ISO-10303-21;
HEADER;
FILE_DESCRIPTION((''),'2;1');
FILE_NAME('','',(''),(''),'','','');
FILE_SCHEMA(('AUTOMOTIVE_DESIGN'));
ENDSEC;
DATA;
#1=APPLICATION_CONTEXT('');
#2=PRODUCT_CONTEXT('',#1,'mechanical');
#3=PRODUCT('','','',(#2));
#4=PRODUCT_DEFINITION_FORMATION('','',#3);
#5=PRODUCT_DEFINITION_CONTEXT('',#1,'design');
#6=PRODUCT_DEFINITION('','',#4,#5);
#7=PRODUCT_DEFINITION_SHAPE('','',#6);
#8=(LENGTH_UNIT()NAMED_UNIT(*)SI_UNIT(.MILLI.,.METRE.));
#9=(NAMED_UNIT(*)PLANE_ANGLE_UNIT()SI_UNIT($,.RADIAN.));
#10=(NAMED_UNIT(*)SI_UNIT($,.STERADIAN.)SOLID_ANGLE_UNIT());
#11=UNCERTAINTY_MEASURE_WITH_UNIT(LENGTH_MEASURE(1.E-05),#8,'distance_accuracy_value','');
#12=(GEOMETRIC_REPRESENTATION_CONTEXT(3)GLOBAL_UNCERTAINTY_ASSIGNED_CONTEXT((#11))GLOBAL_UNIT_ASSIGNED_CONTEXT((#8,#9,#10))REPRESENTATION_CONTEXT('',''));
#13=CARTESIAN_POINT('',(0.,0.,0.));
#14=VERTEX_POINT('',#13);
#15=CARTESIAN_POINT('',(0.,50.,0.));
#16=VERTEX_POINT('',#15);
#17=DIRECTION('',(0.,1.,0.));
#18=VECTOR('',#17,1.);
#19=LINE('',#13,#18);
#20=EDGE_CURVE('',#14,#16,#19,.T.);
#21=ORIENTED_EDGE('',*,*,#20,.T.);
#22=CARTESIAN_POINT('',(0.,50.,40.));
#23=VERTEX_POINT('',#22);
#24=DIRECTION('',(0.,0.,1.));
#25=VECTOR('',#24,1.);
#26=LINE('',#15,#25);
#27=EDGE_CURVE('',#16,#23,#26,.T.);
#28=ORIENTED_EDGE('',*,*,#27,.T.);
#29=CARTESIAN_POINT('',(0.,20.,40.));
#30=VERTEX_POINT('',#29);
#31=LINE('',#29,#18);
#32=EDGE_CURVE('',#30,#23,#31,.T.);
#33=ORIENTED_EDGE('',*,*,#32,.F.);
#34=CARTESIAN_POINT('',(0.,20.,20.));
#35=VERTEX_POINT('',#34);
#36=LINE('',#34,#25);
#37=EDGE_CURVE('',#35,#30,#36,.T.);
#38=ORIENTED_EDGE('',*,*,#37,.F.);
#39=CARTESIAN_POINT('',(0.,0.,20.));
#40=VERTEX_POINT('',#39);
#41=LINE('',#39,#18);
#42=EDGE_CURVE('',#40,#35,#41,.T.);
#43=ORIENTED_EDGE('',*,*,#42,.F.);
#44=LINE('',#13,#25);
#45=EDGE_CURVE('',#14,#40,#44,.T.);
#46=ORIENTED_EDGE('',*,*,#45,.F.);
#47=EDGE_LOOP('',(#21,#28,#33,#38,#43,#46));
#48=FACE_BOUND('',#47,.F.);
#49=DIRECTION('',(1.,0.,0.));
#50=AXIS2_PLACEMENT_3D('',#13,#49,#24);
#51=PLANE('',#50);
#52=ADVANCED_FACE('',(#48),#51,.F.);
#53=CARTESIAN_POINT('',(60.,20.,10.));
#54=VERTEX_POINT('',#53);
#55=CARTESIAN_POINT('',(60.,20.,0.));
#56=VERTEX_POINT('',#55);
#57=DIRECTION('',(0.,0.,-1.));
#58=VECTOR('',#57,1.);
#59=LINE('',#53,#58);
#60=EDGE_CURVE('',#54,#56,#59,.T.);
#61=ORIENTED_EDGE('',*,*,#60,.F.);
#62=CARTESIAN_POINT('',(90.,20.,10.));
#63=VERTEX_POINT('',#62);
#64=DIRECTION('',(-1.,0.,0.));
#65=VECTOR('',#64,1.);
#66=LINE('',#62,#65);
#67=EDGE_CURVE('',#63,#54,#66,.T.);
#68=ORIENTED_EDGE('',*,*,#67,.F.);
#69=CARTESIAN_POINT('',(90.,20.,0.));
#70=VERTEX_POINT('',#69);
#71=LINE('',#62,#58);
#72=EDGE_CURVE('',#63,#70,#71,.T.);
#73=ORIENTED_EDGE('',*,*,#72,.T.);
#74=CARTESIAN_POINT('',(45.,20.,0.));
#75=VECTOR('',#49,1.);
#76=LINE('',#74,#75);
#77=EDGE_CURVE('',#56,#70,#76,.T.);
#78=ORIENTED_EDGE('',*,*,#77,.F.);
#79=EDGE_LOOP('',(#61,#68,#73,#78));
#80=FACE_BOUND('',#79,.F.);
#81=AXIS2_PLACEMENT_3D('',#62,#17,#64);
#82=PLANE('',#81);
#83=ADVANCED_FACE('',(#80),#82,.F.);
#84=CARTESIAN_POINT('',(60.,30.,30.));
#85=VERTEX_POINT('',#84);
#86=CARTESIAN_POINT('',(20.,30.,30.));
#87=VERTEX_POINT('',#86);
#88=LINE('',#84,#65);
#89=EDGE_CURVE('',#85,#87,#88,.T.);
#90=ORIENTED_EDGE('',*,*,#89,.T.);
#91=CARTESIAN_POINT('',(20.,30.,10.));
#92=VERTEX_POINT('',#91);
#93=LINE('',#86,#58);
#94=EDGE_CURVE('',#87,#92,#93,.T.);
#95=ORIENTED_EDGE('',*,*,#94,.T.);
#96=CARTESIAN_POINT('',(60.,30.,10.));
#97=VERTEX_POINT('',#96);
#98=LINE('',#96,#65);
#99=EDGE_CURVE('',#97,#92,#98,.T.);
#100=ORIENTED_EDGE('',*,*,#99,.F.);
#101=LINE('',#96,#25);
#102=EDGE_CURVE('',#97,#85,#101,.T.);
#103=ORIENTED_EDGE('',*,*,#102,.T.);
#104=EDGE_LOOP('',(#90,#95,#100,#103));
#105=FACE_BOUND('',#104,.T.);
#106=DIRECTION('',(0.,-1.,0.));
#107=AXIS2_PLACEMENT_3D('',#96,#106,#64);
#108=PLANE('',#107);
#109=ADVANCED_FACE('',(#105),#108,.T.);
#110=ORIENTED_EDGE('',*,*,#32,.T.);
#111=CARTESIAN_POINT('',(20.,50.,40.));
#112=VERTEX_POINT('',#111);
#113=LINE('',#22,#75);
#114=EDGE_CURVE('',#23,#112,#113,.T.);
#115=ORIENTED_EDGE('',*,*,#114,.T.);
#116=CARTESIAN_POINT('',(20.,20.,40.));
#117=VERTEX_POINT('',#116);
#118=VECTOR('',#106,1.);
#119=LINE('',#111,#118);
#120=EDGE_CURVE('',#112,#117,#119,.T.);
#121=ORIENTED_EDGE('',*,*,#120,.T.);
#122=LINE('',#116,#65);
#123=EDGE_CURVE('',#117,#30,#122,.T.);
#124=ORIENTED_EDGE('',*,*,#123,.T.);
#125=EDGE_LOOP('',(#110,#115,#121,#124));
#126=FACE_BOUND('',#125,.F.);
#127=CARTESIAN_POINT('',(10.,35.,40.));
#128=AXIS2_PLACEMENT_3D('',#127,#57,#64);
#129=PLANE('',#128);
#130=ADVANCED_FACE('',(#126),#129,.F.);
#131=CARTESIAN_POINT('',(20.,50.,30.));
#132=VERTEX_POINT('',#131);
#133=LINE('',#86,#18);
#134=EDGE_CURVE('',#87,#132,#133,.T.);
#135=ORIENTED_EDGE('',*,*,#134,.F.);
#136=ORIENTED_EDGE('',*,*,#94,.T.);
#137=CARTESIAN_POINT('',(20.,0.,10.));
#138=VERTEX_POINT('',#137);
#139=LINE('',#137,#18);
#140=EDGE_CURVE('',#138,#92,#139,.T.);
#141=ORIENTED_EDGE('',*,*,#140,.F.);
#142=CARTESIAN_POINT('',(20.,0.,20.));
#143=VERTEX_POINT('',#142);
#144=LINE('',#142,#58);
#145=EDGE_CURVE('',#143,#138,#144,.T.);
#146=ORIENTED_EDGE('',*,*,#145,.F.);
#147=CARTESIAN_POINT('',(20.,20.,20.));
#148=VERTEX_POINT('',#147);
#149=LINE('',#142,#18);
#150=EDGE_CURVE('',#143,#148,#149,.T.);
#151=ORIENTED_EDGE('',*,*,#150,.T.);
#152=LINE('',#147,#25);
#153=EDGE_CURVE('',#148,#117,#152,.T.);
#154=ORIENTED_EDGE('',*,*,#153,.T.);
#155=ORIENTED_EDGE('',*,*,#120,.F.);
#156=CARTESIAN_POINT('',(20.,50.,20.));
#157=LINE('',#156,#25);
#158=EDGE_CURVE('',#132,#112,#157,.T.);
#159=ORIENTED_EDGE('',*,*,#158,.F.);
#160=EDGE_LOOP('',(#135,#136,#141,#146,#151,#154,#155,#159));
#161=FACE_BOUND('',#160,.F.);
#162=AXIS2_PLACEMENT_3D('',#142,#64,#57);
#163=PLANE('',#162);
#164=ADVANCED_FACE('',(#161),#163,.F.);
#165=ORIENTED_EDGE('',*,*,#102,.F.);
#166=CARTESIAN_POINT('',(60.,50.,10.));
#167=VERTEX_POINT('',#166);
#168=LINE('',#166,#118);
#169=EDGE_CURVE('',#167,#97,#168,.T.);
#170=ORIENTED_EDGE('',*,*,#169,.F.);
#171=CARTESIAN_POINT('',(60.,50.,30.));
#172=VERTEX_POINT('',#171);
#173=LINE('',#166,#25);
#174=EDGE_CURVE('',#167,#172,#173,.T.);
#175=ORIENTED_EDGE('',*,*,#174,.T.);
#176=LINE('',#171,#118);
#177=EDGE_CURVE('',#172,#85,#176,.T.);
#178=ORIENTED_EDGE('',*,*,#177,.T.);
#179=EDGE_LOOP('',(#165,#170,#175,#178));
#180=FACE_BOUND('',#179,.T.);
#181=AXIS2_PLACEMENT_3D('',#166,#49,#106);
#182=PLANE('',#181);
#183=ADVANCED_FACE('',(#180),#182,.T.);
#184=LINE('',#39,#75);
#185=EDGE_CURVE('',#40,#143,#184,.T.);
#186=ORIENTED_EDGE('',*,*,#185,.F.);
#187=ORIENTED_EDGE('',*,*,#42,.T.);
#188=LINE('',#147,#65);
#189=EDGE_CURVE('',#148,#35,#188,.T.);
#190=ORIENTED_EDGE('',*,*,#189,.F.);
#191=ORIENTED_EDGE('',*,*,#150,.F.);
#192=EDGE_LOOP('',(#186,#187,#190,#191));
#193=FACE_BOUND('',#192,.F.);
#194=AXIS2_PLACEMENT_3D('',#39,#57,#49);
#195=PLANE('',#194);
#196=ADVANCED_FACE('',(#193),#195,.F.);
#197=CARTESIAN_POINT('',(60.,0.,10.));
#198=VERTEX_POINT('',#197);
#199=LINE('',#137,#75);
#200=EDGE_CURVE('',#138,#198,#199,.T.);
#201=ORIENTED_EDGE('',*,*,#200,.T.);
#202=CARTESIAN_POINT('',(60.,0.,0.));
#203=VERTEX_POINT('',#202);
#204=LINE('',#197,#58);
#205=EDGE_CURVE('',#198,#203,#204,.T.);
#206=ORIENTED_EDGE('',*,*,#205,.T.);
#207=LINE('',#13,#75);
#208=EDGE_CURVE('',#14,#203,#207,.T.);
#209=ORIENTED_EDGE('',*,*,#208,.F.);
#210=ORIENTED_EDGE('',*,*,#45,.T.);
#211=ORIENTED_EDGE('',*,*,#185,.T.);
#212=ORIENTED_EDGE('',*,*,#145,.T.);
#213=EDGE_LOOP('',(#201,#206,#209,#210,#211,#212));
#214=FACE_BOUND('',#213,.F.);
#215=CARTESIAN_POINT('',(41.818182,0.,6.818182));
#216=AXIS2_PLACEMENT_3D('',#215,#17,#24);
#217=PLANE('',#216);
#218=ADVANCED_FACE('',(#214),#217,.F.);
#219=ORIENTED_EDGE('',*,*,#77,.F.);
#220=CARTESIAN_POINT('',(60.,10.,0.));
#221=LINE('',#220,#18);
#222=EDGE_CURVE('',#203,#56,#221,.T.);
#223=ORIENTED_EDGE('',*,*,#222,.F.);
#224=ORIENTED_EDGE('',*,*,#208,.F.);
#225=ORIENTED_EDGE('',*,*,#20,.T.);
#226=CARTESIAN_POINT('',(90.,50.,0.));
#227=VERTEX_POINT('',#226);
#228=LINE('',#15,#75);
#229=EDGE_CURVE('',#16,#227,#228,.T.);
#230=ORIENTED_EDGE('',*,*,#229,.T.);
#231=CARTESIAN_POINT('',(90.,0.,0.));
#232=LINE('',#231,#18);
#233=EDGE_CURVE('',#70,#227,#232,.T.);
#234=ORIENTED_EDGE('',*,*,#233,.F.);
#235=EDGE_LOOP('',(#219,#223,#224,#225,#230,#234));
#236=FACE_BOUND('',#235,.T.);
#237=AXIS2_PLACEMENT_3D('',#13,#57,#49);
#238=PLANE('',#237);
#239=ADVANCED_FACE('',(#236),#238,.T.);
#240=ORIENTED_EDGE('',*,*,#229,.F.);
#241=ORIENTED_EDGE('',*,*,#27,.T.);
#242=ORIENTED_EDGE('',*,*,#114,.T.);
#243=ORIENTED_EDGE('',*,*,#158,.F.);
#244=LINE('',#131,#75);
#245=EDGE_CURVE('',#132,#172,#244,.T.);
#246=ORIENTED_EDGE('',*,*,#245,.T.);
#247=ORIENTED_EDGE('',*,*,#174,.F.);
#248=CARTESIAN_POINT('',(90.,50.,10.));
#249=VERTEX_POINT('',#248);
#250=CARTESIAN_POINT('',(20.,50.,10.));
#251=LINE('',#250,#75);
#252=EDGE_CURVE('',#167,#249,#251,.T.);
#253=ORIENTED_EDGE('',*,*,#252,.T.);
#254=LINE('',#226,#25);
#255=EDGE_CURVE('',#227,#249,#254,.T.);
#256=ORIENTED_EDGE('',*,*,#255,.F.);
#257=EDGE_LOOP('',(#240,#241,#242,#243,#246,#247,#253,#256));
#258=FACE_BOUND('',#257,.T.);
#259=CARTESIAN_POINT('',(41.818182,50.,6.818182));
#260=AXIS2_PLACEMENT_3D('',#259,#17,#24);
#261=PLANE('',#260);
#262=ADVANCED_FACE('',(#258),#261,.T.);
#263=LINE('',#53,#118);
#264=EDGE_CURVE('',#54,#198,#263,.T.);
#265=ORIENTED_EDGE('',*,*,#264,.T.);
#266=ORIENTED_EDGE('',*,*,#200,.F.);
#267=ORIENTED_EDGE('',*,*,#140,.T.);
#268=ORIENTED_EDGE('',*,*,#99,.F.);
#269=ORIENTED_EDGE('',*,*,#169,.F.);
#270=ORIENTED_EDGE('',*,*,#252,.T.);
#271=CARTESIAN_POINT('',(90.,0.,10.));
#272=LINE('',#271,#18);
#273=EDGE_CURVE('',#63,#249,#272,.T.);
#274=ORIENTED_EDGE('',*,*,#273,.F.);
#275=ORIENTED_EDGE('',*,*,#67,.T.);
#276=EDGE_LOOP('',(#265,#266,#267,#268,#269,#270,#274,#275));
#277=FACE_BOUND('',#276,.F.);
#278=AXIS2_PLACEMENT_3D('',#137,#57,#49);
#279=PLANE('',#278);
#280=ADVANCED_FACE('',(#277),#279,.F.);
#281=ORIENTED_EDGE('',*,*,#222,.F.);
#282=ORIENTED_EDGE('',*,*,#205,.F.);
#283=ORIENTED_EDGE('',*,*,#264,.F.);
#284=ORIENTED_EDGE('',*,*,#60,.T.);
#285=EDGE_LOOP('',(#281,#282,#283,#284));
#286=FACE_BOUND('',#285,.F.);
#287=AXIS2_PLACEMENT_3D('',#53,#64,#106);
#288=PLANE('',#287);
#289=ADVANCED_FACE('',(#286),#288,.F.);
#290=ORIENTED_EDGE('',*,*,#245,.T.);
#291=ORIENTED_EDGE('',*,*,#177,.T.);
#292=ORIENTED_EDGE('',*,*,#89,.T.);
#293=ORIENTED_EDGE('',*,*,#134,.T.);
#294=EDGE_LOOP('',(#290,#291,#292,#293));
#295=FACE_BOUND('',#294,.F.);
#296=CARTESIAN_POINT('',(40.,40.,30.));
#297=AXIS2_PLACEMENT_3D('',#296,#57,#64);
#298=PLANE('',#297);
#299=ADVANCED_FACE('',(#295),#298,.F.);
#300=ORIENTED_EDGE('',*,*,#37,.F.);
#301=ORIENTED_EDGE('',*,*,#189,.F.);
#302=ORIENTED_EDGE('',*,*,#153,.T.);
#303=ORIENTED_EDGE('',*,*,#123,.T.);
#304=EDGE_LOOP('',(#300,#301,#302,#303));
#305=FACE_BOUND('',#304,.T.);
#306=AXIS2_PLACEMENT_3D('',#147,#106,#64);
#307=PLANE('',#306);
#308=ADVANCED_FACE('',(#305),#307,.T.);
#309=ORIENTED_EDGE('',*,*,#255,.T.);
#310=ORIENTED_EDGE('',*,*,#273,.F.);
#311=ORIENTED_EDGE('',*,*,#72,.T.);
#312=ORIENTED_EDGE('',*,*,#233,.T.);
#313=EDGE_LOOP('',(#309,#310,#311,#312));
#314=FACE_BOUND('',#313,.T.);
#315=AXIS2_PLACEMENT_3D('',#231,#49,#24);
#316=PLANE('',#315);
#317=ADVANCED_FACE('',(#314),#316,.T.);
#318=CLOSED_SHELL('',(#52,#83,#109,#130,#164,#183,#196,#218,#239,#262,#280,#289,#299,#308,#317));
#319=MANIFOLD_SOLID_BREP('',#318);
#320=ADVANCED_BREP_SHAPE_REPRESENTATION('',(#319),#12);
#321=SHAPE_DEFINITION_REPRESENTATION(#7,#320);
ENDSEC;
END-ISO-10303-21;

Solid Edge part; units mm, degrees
sketch "Sketch1" plane through (0, 0, 0) normal (0, -1, 0) x (1, 0, 0)
  line L0 (20, 10) -> (90, 10)
  line L1 (90, 0) -> (90, 10)
  line L2 (0, 0) -> (90, 0)
  line L3 (0, 0) -> (0, 20)
  line L4 (0, 20) -> (20, 20)
  line L5 (20, 20) -> (20, 10)
extrude "Protrusion1" add sketch "Sketch1" against normal blind 50
sketch "Sketch2" plane through (55, 25, 10) normal (0, 0, 1) x (1, 0, 0)
  line L0 (5, 5) -> (-35, 5)
  line L1 (-35, 5) -> (-35, 25)
  line L2 (-35, 25) -> (5, 25)
  line L3 (5, 25) -> (5, 5)
extrude "ExtrudedProtrusion_2" add sketch "Sketch2" along normal blind 20
sketch "Sketch3" plane through (10, 25, 20) normal (0, 0, 1) x (1, 0, 0)
  line L0 (10, -5) -> (-10, -5)
  line L1 (-10, -5) -> (-10, 25)
  line L2 (-10, 25) -> (10, 25)
  line L3 (10, 25) -> (10, -5)
extrude "ExtrudedProtrusion_3" add sketch "Sketch3" along normal blind 20
sketch "Sketch4" plane through (55, 25, 10) normal (0, 0, 1) x (1, 0, 0)
  line L0 (5, -5) -> (5, -25)
  line L1 (35, -5) -> (5, -5)
  line L2 (35, -25) -> (35, -5)
extrude "ExtrudedCutout_1" cut sketch "Sketch4" against normal blind 96.7104 material side at (60.05, 10, 10)
